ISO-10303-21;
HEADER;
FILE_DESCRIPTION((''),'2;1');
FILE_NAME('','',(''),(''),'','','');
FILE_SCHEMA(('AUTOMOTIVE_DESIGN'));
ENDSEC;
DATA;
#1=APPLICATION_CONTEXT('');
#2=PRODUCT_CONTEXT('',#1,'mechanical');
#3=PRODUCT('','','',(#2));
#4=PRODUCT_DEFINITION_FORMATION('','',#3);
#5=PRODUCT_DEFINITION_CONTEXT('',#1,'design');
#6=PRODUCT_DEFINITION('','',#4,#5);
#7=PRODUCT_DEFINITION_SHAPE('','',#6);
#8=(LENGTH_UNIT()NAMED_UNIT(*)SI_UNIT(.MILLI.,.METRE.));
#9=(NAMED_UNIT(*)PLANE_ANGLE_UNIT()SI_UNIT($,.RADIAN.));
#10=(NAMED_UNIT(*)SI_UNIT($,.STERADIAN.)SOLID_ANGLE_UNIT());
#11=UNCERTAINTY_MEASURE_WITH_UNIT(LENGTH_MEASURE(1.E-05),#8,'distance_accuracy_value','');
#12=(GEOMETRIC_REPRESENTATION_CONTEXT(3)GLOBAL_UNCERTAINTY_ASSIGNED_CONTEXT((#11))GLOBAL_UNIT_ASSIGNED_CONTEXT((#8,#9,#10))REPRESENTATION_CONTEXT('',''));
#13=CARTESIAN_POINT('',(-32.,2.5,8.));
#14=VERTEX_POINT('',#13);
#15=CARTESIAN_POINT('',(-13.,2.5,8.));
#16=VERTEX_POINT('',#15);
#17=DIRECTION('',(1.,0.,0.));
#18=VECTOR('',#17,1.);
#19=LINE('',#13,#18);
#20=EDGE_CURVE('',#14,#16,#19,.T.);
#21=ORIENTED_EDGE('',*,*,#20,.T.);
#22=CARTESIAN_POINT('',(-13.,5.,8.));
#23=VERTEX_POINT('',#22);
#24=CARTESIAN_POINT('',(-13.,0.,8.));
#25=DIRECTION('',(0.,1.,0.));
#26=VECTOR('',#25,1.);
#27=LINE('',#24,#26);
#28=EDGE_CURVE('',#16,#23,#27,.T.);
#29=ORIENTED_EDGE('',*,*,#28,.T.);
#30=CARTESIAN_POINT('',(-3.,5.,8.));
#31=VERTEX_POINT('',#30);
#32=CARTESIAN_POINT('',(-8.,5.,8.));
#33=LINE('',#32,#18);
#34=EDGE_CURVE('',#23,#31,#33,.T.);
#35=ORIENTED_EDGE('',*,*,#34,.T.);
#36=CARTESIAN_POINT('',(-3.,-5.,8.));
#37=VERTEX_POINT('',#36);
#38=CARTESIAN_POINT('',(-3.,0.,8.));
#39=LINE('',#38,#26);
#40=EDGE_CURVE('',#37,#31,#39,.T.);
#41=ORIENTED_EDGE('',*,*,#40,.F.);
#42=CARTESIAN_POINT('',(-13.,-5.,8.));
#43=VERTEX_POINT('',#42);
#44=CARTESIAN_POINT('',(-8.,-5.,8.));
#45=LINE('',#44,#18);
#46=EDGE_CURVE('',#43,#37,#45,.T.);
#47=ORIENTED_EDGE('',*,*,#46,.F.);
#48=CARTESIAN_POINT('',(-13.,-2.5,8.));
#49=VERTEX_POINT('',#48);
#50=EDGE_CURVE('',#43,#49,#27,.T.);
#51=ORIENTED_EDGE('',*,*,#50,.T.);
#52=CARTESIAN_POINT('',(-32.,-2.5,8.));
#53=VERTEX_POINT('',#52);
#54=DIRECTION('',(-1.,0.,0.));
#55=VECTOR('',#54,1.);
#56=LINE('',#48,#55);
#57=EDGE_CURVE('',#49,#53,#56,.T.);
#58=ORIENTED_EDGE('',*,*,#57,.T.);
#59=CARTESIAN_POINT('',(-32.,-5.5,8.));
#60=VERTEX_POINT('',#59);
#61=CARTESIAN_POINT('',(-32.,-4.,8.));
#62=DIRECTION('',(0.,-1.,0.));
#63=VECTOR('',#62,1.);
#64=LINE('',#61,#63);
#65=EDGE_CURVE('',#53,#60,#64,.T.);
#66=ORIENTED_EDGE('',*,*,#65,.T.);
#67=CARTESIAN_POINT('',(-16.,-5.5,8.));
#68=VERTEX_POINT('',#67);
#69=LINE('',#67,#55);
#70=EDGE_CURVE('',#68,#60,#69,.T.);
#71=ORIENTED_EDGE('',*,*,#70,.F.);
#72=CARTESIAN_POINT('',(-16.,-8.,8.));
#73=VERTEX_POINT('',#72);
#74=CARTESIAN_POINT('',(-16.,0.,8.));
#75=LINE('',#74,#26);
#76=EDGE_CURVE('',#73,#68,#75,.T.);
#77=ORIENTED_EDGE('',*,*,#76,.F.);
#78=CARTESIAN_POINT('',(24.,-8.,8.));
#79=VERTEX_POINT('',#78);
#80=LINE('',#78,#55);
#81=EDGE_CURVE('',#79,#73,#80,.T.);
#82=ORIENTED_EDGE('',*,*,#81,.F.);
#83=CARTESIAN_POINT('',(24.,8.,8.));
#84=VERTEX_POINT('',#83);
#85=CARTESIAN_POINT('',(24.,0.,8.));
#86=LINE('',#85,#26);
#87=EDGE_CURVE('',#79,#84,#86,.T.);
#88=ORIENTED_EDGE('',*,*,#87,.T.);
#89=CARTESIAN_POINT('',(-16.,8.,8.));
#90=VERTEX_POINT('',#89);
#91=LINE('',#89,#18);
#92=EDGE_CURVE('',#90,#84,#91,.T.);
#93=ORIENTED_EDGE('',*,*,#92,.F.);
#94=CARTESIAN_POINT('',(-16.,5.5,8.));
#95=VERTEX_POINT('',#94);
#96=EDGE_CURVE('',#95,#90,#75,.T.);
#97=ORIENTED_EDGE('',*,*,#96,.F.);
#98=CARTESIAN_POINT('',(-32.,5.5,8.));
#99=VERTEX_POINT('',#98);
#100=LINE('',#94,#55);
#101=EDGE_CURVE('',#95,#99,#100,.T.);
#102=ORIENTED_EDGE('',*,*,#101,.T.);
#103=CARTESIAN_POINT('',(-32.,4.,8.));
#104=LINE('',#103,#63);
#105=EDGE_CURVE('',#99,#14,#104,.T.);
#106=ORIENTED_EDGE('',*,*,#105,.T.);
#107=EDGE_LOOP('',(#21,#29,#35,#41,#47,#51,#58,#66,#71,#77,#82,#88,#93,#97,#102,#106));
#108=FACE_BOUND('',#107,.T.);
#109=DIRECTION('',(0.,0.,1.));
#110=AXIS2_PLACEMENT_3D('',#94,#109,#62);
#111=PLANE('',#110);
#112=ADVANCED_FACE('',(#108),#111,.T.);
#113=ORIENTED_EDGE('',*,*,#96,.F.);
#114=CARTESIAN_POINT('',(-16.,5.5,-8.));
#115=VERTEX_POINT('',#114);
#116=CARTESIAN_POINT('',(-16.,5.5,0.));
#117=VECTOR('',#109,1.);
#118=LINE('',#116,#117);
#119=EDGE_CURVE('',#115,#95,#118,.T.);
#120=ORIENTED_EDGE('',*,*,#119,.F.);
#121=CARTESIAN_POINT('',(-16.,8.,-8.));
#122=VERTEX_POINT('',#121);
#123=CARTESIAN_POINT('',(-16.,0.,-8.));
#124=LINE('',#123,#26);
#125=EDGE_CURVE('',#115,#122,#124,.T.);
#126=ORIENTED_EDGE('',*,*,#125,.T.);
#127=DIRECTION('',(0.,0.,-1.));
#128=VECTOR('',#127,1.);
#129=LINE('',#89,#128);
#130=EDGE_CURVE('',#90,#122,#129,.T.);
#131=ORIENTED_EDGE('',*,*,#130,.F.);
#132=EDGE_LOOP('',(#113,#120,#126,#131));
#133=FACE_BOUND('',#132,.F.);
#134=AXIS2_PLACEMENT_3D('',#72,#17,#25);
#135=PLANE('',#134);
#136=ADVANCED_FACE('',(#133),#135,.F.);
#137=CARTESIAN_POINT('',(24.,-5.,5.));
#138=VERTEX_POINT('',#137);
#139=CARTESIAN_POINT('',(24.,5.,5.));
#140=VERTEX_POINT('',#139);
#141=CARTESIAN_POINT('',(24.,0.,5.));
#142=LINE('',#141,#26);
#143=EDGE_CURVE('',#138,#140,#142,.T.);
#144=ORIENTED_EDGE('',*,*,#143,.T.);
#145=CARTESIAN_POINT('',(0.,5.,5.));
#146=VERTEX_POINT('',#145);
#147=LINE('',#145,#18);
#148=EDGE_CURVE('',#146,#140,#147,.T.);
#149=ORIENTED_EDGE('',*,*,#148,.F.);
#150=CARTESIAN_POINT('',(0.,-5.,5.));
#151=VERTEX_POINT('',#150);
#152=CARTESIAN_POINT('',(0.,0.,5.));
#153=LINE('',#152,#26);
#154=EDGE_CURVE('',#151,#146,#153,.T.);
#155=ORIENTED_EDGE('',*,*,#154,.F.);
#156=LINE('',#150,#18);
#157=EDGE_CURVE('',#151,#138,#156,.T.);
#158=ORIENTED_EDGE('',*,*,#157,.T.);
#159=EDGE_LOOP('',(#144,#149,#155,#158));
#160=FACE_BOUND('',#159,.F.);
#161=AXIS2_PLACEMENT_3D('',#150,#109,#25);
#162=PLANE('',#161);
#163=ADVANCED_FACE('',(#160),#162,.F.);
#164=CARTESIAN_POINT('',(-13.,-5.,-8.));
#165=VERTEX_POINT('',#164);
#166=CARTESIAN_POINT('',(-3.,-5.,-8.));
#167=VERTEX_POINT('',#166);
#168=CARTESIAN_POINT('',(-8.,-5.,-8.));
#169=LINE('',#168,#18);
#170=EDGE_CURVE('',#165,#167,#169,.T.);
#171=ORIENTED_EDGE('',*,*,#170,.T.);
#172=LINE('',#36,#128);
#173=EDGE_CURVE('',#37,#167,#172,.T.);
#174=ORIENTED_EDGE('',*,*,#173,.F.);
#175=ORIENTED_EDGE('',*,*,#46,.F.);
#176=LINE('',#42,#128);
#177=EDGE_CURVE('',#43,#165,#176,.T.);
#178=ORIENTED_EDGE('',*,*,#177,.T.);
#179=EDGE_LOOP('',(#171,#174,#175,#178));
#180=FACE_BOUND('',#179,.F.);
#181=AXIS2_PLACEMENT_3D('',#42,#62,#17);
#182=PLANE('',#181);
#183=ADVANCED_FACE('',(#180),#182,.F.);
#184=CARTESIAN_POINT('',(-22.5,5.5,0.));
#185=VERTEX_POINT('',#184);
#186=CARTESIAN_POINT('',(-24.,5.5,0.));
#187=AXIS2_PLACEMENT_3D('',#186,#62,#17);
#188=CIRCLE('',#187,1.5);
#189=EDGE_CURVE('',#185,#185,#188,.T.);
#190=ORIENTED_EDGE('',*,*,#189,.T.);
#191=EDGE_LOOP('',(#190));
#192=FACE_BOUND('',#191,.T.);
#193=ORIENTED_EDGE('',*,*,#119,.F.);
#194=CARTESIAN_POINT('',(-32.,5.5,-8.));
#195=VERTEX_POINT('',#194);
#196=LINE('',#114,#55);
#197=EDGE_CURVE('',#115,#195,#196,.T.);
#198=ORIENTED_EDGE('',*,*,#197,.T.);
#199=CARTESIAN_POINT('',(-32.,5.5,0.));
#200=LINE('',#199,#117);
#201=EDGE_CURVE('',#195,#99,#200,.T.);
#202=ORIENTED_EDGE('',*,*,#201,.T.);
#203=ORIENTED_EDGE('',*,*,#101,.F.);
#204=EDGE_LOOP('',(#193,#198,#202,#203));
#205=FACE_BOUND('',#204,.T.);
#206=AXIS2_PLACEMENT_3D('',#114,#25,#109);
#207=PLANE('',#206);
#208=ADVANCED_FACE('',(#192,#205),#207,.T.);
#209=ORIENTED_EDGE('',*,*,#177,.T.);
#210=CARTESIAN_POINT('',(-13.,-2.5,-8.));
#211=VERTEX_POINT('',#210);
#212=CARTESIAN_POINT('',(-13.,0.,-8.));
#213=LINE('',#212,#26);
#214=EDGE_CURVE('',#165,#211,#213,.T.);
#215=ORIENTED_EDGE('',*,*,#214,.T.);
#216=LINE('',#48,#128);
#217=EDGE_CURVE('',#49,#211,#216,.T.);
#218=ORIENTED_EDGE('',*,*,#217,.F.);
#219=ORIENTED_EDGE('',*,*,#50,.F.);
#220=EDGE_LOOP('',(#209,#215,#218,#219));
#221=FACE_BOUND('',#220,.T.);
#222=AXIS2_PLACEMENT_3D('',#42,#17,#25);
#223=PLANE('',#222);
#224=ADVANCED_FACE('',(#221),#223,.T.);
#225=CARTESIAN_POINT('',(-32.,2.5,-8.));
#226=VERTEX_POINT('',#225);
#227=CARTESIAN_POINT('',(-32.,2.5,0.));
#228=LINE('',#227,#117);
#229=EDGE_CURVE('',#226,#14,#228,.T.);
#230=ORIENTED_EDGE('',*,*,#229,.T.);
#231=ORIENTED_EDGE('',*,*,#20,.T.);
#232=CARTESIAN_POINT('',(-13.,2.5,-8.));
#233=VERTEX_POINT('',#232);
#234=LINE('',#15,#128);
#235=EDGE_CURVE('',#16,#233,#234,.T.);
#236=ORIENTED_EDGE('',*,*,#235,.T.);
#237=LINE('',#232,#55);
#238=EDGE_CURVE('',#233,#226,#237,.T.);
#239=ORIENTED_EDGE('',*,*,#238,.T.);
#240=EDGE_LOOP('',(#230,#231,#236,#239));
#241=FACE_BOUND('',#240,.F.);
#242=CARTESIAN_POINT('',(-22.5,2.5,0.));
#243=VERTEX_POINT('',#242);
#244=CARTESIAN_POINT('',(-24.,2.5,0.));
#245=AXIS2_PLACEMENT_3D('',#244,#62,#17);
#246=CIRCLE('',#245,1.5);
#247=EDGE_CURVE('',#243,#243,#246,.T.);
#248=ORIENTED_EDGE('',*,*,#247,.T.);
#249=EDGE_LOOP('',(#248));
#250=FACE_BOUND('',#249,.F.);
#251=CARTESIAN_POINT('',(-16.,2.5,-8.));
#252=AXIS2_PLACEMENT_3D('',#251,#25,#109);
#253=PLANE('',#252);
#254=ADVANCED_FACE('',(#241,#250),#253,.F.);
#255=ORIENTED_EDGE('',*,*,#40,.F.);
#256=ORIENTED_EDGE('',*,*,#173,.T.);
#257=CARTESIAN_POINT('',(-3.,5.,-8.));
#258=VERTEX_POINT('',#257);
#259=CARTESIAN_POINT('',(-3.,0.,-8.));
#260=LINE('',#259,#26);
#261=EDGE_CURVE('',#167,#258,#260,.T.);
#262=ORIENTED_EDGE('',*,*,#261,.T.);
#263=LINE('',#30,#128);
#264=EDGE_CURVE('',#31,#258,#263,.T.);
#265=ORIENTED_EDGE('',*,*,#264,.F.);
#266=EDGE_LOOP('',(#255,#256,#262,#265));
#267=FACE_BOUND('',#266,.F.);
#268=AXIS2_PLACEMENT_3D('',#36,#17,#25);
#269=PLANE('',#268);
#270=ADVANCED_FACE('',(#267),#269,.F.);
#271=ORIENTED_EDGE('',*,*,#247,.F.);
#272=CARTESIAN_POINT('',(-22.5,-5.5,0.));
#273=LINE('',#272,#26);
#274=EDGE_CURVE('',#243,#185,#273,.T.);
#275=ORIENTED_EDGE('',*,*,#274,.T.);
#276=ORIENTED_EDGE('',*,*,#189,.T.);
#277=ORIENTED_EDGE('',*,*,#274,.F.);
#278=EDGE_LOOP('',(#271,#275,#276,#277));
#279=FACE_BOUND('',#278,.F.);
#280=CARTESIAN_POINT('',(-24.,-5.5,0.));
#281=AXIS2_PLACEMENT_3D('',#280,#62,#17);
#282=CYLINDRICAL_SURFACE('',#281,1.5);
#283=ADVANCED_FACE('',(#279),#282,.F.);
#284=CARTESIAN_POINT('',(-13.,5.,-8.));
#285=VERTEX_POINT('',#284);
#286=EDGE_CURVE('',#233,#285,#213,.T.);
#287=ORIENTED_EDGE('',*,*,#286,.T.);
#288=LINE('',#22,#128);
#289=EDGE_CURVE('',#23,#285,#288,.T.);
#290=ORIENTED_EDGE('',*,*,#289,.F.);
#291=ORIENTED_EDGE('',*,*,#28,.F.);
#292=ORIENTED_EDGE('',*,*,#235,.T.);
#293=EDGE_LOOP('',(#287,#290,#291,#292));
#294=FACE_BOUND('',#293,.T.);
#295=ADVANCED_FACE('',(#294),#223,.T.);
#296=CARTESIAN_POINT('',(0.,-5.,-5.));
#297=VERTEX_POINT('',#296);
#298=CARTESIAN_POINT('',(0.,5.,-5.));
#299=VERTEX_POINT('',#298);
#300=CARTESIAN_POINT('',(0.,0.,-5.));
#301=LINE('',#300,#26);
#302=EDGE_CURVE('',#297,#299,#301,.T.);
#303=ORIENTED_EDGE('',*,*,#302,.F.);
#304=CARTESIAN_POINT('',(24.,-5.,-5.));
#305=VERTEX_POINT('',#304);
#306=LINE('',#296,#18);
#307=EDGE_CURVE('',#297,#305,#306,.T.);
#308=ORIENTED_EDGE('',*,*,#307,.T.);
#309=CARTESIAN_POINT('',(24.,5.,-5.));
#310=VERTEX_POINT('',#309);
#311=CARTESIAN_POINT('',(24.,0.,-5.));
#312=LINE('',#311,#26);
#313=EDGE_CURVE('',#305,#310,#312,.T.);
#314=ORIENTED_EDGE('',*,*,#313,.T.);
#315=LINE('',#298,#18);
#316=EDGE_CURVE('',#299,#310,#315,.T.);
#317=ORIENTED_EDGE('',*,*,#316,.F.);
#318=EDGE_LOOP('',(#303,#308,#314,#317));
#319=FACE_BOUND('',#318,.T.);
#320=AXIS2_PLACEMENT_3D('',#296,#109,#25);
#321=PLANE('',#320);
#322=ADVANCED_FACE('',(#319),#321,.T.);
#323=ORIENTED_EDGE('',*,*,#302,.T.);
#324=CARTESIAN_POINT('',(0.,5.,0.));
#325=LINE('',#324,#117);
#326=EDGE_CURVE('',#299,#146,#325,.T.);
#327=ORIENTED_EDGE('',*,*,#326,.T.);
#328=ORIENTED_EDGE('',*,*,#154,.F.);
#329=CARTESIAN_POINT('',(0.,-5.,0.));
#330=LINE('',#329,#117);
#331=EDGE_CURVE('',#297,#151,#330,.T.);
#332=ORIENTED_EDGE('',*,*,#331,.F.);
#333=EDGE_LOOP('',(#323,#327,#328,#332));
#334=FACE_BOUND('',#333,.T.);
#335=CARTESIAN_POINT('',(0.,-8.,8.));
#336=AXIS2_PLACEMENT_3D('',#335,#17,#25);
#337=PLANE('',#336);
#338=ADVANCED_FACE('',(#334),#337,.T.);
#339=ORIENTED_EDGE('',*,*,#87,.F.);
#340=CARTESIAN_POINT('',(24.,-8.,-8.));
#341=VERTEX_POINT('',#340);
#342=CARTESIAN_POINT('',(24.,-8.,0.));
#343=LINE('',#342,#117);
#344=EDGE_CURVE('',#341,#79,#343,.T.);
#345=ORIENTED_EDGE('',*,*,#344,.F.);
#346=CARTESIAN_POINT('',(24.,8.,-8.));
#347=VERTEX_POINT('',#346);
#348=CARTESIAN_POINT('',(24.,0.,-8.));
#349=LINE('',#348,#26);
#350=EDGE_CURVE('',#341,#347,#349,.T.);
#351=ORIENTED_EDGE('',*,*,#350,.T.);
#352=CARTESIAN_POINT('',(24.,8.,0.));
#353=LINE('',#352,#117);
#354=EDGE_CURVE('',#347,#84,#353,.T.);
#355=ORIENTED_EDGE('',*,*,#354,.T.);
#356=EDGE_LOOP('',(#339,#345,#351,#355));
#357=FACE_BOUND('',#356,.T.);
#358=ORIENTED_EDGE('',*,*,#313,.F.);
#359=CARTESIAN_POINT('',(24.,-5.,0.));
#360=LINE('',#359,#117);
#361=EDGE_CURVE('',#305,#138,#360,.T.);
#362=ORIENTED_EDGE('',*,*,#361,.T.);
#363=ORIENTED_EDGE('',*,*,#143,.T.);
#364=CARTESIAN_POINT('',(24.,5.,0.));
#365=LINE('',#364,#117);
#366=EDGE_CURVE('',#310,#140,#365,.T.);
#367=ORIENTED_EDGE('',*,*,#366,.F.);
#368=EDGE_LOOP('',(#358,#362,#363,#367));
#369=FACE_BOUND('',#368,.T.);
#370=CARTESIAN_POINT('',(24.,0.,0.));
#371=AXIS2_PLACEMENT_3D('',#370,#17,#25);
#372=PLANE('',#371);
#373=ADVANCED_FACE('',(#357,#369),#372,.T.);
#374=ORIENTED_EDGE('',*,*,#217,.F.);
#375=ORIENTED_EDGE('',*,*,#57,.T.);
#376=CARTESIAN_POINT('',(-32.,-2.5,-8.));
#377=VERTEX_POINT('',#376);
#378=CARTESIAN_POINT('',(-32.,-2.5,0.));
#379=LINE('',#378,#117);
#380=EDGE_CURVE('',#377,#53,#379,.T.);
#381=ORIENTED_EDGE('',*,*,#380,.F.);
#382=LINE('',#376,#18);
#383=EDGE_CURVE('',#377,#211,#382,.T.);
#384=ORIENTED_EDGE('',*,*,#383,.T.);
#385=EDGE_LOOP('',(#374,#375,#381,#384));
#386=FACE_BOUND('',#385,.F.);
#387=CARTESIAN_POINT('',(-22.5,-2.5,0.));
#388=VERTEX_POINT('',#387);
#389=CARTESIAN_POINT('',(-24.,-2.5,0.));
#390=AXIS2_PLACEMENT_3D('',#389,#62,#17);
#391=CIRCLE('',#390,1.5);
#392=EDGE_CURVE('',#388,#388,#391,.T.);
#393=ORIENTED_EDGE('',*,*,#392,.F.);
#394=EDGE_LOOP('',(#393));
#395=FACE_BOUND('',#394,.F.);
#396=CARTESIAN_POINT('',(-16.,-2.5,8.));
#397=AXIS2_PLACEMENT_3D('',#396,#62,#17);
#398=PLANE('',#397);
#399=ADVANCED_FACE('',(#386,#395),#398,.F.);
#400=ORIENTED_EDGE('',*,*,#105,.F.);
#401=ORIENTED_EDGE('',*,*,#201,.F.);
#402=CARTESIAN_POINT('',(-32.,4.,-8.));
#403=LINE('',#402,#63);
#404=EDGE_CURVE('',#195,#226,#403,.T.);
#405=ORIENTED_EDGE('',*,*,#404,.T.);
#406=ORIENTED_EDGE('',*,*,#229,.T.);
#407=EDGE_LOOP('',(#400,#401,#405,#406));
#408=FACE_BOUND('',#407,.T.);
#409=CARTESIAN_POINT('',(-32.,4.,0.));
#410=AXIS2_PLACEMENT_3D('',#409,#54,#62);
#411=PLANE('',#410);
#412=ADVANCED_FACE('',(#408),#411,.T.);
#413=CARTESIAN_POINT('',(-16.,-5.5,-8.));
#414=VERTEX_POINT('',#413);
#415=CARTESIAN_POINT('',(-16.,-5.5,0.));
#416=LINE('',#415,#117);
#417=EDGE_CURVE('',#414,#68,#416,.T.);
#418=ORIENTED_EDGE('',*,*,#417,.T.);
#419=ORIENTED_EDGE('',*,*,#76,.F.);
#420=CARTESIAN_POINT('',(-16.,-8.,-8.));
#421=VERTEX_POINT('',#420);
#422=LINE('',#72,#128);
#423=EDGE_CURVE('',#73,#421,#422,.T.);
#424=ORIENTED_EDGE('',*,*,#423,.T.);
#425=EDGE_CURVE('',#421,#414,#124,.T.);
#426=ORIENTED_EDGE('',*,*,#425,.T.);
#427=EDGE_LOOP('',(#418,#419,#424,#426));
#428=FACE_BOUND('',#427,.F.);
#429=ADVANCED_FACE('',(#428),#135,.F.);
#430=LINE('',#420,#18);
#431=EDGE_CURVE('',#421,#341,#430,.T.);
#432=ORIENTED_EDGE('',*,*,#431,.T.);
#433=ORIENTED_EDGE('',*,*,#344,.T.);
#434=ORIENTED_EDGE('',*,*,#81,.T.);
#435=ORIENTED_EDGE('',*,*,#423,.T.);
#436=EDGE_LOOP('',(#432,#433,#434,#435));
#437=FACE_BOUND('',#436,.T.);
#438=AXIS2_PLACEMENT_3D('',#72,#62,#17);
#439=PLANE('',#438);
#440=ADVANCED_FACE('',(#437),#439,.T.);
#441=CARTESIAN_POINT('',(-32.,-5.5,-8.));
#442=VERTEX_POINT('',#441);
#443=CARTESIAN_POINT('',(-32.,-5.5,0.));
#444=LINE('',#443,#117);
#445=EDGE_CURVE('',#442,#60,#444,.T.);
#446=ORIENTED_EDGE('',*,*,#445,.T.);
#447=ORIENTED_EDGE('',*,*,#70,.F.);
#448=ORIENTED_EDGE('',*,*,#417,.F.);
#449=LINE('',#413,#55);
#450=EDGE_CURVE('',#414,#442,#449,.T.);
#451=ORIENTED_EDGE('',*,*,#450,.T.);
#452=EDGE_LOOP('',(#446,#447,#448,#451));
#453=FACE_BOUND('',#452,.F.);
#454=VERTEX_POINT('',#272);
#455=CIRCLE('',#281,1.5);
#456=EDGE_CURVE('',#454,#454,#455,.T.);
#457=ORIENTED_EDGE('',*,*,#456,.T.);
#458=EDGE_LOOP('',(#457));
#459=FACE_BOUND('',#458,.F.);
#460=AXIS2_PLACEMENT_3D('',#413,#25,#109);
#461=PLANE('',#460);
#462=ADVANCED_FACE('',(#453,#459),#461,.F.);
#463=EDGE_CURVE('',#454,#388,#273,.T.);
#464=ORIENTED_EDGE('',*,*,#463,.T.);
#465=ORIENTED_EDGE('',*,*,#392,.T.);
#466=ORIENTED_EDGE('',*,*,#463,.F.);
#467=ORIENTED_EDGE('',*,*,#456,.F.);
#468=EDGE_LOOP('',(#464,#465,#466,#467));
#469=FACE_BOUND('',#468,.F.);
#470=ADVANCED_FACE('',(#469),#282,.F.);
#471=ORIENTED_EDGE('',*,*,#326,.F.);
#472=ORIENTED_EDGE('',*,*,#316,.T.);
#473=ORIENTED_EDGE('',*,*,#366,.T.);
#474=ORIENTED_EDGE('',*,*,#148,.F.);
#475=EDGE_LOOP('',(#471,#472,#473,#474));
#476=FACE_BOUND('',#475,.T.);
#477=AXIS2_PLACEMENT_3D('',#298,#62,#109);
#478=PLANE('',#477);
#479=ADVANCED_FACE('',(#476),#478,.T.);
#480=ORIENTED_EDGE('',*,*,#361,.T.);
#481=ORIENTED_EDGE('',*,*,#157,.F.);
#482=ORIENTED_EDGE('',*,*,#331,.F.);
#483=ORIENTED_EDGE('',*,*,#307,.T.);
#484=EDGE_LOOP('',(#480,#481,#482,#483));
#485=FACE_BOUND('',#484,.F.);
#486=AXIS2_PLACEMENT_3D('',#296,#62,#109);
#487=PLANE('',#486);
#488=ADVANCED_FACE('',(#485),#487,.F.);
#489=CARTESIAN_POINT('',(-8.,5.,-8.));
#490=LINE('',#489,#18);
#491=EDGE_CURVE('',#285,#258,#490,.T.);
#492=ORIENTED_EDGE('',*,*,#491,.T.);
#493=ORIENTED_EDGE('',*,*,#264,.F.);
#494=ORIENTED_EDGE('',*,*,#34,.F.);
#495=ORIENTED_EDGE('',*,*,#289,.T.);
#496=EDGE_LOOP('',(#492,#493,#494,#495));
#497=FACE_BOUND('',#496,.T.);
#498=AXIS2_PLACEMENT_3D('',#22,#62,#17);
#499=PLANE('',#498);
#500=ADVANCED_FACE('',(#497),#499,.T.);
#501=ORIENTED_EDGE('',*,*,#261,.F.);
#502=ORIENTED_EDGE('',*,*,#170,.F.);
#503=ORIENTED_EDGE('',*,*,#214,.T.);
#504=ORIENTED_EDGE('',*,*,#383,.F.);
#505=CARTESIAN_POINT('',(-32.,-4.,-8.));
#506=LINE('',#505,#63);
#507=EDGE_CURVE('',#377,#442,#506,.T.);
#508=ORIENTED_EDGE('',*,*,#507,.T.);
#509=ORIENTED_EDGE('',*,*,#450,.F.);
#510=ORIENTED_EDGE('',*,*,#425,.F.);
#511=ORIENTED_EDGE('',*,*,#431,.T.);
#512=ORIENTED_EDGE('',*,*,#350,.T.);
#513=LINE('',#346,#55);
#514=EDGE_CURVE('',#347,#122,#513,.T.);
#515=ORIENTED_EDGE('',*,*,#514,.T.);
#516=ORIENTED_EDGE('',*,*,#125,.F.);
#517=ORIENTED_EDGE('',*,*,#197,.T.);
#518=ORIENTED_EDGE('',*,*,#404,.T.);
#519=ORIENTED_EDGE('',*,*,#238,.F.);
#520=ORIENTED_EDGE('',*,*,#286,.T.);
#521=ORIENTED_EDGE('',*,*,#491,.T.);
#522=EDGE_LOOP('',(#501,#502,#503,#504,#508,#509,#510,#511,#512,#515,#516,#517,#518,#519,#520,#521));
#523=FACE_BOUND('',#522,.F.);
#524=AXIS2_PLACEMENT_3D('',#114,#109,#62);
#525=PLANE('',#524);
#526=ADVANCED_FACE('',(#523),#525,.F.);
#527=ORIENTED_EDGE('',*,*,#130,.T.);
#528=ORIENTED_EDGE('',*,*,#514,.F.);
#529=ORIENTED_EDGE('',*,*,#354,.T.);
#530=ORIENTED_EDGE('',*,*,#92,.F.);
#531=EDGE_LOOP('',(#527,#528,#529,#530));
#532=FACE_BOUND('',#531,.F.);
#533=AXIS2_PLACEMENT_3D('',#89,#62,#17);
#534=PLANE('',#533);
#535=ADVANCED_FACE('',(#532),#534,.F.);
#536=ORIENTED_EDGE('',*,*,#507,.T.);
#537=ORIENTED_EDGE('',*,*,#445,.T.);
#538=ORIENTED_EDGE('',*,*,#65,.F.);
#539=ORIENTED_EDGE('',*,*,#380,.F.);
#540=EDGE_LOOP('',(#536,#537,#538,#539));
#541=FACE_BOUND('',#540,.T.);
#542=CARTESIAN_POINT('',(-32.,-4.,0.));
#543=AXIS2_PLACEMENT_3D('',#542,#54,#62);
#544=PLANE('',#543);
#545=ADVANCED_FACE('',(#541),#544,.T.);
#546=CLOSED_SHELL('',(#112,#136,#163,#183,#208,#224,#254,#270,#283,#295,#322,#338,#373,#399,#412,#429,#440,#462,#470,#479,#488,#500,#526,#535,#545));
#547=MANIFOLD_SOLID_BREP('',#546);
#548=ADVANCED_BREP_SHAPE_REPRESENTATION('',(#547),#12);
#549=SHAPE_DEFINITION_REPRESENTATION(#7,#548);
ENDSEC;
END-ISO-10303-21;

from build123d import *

# Parameters (mm, degrees)
F0_W     = 16
F0_H     = 16
F0_W_2   = 10
F0_H_2   = 10
F1_DEPTH = 24
F2_W     = 16
F2_H     = 16
F2_W_2   = 10
F2_H_2   = 10
F3_DEPTH = 16
F4_W     = 3
F4_H     = 5
F5_DEPTH = 25
F6_W     = 3
F6_H     = 16
F7_DEPTH = 16
F8_R     = 1.5
F9_DEPTH = 13.501


with BuildPart() as f1:
    # F0 (on Right) → F1 (new body)
    with BuildSketch(Plane.YZ):
        Rectangle(F0_W, F0_H)
        Rectangle(F0_W_2, F0_H_2, mode=Mode.SUBTRACT)
    extrude(amount=F1_DEPTH)

    # F2 (on face) → F3 (join)
    with BuildSketch(Plane.XY.offset(8)):
        with Locations((-8, 0)):
            Rectangle(F2_W, F2_H)
        with Locations((-8, 0)):
            Rectangle(F2_W_2, F2_H_2, mode=Mode.SUBTRACT)
    extrude(amount=-F3_DEPTH)

    # F4 (on face) → F5 (cut)
    with BuildSketch(Plane.XY.offset(8)):
        with Locations((-14.5, 0)):
            Rectangle(F4_W, F4_H)
    extrude(amount=-F5_DEPTH, mode=Mode.SUBTRACT)

    # F6 (on face) → F7 (join)
    with BuildSketch(Plane(origin=(-16, 0, 0), x_dir=(0, -1, 0), z_dir=(-1, 0, 0))):
        with Locations((-4, 0)):
            Rectangle(F6_W, F6_H)
        with Locations((4, 0)):
            Rectangle(F6_W, F6_H)
    extrude(amount=F7_DEPTH)

    # F8 (on face) → F9 (cut, through all)
    with BuildSketch(Plane.XZ.offset(5.5)):
        with Locations((-24, 0)):
            Circle(F8_R)
    extrude(amount=-F9_DEPTH, mode=Mode.SUBTRACT)


solid = f1.part
